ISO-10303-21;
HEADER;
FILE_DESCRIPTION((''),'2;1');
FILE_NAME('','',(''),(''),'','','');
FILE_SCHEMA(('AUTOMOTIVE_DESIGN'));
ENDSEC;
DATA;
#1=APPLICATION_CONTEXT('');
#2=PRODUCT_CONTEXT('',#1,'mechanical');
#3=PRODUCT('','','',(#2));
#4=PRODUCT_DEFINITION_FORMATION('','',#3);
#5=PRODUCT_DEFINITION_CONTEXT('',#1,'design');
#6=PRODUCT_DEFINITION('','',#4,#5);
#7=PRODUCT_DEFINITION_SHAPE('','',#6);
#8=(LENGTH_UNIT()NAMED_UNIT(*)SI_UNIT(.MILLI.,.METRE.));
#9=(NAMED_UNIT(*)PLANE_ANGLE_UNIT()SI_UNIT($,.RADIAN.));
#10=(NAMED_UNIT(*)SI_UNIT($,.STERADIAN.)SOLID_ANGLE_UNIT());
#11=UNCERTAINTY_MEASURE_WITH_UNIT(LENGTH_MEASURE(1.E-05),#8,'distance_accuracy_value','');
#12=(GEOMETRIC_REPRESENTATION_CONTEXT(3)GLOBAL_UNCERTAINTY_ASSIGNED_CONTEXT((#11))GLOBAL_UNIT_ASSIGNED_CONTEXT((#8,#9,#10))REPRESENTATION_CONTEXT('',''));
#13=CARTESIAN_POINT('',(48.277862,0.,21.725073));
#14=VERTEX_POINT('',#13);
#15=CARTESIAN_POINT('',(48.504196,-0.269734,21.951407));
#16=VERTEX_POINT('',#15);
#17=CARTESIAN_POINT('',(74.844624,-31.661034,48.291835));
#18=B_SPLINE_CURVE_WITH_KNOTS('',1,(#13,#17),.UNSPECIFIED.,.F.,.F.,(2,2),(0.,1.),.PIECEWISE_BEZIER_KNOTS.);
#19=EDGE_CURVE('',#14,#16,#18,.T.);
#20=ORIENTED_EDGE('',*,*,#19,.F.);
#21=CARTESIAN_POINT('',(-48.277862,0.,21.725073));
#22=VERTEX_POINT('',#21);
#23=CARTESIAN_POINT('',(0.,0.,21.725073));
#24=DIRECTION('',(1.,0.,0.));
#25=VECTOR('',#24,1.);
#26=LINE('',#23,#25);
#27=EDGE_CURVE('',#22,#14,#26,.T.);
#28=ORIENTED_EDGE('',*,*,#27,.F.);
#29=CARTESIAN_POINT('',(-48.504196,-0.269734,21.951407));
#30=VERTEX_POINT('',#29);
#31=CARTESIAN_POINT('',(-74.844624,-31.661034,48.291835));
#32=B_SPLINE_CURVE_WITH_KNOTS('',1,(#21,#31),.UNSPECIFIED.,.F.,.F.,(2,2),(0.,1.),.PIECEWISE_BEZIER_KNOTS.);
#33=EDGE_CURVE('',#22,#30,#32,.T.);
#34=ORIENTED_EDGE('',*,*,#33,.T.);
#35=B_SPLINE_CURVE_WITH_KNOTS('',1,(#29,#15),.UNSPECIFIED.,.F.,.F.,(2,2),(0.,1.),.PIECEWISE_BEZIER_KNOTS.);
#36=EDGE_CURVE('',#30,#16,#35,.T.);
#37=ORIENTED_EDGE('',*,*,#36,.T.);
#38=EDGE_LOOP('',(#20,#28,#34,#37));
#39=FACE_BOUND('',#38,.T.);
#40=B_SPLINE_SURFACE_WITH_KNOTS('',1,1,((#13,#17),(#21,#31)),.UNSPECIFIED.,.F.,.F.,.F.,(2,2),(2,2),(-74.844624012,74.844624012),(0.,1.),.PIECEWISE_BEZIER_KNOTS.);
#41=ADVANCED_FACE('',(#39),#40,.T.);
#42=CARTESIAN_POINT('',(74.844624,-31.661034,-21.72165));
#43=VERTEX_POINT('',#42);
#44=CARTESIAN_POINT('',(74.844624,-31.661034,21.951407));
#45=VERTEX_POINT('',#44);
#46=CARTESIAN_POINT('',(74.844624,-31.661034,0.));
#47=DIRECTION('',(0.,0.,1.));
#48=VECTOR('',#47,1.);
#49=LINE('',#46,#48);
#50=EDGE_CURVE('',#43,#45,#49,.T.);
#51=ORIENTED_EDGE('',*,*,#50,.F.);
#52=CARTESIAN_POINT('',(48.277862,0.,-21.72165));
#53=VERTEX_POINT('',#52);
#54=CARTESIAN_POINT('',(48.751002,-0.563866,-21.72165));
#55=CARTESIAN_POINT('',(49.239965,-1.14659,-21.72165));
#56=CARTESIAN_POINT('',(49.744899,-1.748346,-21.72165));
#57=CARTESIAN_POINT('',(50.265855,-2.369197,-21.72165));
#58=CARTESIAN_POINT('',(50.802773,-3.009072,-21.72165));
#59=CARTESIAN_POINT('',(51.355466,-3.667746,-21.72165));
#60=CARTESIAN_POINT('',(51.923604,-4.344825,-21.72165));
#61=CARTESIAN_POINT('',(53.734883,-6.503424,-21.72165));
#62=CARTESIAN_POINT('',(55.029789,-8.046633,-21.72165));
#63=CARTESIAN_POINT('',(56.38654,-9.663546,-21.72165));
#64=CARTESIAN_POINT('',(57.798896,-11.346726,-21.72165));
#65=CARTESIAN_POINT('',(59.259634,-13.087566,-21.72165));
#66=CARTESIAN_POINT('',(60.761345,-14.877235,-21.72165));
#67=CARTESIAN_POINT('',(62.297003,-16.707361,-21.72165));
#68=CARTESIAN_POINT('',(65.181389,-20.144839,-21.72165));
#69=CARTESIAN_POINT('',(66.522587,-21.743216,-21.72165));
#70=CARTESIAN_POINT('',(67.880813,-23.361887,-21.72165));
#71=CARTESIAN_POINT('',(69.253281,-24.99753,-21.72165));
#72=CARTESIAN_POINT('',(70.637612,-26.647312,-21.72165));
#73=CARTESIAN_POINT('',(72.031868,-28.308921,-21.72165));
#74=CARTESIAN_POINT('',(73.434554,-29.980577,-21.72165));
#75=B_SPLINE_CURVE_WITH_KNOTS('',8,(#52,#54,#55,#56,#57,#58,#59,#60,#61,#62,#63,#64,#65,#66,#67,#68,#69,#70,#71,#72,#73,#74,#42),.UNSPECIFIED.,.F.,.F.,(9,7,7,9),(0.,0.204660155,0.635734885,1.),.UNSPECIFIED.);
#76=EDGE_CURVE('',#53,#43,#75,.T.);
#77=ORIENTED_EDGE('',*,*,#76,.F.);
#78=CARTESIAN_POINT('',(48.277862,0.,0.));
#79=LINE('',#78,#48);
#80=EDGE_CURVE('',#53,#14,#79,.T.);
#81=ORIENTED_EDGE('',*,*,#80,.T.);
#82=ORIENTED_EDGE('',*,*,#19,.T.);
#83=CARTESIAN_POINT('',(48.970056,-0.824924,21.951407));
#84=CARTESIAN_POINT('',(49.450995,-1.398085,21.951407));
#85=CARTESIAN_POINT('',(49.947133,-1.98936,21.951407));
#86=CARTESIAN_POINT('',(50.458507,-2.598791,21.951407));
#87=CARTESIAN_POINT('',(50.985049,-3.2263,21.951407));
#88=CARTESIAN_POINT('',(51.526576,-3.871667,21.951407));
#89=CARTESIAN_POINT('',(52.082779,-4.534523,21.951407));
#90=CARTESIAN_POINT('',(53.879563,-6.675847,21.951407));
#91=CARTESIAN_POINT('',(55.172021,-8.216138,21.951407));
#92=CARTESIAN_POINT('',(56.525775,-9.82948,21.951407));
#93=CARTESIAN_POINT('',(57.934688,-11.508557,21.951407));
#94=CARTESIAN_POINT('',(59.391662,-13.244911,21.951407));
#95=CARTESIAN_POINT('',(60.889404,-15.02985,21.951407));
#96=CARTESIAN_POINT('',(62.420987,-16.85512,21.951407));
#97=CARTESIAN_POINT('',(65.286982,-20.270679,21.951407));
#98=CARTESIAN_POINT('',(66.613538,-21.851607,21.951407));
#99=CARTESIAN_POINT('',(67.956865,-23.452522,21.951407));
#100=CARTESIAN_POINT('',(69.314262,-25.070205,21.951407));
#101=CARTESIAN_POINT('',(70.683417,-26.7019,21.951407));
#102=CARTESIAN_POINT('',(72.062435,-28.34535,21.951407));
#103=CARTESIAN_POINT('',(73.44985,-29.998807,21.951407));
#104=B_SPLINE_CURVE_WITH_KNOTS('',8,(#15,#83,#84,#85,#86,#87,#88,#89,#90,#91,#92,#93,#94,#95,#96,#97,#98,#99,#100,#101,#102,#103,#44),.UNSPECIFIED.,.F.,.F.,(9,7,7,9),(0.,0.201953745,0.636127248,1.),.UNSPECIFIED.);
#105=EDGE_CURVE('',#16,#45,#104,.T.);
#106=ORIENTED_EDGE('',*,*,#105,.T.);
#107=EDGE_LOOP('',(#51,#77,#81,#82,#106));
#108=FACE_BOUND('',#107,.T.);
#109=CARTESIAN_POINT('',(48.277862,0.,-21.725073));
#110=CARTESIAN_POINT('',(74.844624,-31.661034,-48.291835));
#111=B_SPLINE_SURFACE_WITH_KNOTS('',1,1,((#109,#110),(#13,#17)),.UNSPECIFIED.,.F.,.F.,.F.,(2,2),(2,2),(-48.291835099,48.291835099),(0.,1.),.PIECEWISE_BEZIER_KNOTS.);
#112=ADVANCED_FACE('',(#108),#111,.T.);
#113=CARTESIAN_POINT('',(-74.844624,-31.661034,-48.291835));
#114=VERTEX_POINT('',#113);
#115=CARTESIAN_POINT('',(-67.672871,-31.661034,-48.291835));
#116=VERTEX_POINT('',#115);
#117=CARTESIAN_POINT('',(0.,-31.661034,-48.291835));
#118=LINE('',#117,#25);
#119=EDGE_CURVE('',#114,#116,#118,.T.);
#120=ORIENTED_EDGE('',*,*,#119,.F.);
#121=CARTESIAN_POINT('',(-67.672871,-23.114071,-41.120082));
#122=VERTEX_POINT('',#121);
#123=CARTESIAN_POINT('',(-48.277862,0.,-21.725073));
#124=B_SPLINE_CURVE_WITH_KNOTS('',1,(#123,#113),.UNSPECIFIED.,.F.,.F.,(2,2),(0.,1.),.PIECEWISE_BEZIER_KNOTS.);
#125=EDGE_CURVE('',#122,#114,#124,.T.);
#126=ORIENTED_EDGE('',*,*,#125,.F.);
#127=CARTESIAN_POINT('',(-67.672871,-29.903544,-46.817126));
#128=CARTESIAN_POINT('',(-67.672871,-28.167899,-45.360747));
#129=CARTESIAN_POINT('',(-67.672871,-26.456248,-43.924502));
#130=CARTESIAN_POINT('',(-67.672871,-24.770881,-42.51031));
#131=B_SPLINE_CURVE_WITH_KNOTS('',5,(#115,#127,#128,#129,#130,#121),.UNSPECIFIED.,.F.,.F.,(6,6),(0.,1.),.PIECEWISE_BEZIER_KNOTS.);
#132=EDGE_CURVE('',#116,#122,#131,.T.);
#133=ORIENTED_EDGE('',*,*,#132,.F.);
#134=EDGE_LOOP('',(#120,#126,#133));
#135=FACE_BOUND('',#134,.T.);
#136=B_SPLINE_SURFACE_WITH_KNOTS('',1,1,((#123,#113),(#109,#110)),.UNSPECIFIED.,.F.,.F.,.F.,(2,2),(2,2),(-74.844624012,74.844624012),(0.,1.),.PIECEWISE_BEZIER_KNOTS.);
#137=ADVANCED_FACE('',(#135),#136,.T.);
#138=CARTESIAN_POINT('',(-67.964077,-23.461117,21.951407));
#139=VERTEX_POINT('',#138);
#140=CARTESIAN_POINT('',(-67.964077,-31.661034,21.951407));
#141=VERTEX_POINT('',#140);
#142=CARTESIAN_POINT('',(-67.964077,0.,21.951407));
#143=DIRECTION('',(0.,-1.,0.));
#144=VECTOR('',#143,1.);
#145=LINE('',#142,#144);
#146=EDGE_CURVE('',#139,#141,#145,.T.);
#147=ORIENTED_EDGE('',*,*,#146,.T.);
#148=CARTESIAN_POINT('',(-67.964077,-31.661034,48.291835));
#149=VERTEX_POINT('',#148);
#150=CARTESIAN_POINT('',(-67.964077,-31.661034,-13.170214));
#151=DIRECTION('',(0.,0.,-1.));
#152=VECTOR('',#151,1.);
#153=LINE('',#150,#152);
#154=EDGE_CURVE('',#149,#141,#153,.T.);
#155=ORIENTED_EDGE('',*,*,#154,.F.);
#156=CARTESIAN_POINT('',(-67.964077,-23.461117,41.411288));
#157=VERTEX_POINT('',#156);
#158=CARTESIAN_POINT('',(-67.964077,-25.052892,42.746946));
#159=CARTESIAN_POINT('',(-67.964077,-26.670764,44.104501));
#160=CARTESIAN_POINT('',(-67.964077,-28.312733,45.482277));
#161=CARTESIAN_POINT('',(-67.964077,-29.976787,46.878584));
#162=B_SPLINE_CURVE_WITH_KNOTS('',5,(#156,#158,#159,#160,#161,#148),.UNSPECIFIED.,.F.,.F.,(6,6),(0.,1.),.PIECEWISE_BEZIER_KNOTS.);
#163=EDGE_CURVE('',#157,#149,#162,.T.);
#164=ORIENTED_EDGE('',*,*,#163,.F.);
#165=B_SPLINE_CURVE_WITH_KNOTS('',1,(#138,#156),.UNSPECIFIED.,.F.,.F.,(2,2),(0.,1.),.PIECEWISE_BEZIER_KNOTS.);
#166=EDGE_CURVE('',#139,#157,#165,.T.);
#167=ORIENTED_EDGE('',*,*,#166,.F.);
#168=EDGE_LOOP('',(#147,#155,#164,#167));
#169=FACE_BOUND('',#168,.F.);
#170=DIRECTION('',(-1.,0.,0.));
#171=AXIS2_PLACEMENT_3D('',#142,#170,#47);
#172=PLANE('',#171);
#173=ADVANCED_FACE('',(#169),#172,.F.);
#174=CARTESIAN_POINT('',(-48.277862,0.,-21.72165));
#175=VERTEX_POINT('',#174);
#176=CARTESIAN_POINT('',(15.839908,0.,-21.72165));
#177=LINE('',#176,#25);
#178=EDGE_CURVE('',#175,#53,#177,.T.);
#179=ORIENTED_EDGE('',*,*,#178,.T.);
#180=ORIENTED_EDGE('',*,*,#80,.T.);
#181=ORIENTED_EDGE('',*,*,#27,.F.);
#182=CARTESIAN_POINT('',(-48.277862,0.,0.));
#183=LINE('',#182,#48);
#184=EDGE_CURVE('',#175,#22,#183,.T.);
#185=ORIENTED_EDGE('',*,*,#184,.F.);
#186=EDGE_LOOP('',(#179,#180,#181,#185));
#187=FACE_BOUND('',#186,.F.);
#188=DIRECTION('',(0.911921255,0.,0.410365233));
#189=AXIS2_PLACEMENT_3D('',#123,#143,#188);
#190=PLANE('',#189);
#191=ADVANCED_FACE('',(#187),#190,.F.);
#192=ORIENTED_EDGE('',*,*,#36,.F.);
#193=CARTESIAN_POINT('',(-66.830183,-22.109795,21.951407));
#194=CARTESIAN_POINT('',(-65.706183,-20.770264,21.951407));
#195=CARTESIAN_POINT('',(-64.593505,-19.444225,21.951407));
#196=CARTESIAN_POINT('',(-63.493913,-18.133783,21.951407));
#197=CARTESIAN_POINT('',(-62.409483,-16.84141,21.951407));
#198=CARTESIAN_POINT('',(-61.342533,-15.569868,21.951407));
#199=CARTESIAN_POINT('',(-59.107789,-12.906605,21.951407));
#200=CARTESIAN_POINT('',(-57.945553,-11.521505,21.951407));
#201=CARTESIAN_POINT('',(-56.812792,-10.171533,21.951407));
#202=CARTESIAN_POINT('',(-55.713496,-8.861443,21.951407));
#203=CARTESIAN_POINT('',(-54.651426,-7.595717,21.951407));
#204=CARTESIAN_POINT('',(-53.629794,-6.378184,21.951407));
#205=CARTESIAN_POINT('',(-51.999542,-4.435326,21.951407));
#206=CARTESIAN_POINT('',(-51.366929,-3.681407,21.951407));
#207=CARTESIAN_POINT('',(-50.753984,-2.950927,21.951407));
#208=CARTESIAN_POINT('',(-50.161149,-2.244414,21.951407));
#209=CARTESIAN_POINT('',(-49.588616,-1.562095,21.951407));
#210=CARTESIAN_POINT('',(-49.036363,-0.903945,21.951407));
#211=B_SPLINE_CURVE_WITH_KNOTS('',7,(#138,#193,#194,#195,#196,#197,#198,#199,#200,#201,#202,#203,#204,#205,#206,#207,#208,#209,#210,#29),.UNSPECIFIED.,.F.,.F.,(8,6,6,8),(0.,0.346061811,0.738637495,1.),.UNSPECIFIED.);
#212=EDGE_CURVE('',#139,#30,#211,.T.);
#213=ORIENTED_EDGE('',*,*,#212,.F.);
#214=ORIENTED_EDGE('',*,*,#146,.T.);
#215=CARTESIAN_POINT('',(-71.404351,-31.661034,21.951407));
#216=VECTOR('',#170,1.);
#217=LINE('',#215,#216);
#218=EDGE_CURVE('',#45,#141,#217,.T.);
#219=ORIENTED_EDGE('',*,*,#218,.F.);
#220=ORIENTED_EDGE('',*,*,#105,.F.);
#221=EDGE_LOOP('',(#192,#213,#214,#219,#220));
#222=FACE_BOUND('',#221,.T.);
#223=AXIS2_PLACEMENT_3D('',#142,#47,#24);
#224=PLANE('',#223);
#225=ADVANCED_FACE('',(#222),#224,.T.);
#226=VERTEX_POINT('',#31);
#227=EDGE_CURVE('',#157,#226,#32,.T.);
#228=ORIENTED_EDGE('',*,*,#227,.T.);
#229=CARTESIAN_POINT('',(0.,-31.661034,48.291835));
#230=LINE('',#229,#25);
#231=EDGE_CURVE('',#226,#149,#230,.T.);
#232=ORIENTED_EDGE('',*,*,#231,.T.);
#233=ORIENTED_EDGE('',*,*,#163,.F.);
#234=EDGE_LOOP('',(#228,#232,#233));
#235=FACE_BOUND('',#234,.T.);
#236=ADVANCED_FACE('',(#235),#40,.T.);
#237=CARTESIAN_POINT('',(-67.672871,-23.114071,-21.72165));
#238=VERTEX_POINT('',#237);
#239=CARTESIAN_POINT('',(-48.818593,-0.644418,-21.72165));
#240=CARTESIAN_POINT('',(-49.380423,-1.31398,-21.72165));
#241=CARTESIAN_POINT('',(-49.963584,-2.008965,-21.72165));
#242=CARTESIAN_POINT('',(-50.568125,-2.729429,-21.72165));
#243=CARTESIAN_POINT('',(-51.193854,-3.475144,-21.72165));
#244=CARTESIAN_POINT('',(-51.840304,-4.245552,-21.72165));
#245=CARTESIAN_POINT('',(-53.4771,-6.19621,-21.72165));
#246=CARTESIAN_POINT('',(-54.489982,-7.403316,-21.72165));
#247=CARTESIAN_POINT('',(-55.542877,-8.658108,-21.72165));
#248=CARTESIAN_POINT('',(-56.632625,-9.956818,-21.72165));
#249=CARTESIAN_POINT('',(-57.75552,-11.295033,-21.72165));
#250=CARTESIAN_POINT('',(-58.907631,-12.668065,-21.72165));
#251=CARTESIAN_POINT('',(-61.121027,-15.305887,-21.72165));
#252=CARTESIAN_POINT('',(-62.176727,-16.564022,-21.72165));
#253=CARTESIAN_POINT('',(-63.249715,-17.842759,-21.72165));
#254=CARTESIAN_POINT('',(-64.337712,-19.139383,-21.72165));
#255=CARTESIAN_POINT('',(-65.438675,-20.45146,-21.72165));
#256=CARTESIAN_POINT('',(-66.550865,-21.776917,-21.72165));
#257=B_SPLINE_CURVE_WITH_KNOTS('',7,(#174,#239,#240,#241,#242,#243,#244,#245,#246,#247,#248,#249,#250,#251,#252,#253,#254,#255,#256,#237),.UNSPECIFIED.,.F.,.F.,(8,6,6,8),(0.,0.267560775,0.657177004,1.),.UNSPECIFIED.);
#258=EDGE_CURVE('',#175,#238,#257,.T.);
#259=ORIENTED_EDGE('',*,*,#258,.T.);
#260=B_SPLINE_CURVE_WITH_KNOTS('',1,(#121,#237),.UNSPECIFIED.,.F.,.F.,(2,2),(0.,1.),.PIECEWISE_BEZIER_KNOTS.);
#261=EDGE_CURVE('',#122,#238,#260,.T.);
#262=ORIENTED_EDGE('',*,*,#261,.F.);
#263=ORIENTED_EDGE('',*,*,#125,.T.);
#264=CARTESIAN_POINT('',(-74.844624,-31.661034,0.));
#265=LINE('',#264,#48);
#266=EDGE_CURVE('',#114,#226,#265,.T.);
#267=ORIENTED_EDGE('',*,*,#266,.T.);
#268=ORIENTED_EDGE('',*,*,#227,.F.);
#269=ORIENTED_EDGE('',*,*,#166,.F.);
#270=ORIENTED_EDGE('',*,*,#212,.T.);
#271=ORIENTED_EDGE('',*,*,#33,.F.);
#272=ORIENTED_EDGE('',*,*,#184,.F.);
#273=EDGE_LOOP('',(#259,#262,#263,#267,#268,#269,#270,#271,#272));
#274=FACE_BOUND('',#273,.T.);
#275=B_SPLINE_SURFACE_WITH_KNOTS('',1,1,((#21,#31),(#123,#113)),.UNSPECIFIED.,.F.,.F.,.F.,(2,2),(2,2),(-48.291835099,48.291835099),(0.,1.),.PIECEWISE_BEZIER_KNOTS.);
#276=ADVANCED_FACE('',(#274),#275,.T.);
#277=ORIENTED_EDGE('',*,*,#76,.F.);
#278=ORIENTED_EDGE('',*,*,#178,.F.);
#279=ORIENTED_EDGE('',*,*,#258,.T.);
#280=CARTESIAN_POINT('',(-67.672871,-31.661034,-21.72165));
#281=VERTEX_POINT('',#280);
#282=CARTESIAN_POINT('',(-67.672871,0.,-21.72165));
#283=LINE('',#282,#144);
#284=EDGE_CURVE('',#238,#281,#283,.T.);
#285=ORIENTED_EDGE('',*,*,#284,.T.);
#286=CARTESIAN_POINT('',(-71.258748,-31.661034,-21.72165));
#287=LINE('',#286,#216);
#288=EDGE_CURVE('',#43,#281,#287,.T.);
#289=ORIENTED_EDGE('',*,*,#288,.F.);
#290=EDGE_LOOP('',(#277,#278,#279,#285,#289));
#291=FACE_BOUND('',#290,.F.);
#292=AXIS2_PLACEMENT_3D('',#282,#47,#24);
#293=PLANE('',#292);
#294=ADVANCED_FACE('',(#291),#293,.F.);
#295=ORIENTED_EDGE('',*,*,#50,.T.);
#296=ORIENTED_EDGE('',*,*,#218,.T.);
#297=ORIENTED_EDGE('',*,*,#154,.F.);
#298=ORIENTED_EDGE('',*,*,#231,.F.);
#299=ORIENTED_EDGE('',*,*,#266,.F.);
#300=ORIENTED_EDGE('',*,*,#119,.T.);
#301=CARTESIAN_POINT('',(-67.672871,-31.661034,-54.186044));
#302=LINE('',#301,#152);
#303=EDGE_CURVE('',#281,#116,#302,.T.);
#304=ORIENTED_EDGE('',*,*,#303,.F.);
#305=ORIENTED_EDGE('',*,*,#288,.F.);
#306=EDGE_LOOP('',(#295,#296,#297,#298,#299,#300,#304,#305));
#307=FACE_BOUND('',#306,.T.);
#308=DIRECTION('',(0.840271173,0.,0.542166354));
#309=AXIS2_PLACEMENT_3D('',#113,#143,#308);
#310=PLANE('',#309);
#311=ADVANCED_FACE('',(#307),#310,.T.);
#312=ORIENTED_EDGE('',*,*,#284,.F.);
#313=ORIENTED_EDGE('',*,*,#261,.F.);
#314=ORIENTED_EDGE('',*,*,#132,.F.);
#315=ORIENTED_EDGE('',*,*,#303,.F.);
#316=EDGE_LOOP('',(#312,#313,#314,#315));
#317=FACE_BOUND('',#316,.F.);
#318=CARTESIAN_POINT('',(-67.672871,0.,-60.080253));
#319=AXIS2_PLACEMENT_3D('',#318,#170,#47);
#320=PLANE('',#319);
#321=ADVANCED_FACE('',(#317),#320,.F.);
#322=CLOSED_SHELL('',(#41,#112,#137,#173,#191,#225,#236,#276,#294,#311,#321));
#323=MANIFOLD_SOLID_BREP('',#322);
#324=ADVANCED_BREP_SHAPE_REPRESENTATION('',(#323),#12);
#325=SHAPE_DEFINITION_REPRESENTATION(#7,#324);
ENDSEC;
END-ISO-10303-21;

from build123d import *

# Parameters (mm, degrees)
F0_W     = 96.55572474
F0_H     = 43.4501469135
F1_DEPTH = 31.6610336304
F1_TAPER = -40
F2_W     = 167.0255586505
F2_H     = 38.3586026728
F2_W_2   = 162.8842428327
F2_H_2   = 31.8540707231
F3_DEPTH = 79.4451162219
F4_W     = 21.1209580302
F4_H     = 32.886043191
F5_DEPTH = 14.5127717406


with BuildPart() as f1:
    # F0 (on Front) → F1 (new body)
    with BuildSketch(Plane.XZ):
        Rectangle(F0_W, F0_H)
    extrude(amount=F1_DEPTH, taper=F1_TAPER)

    # F2 (on Front) → F3 (cut)
    with BuildSketch(Plane.XZ):
        with Locations((15.839908272, -40.9009512514)):
            Rectangle(F2_W, F2_H)
        with Locations((13.4780444205, 37.8784425557)):
            Rectangle(F2_W_2, F2_H_2)
    extrude(amount=F3_DEPTH, mode=Mode.SUBTRACT)

    # F4 (on Front) → F5 (cut)
    with BuildSketch(Plane.XZ):
        with Locations((-66.4090551436, 38.6971160769)):
            Rectangle(F4_W, F4_H)
    extrude(amount=F5_DEPTH, mode=Mode.SUBTRACT)


solid = f1.part
